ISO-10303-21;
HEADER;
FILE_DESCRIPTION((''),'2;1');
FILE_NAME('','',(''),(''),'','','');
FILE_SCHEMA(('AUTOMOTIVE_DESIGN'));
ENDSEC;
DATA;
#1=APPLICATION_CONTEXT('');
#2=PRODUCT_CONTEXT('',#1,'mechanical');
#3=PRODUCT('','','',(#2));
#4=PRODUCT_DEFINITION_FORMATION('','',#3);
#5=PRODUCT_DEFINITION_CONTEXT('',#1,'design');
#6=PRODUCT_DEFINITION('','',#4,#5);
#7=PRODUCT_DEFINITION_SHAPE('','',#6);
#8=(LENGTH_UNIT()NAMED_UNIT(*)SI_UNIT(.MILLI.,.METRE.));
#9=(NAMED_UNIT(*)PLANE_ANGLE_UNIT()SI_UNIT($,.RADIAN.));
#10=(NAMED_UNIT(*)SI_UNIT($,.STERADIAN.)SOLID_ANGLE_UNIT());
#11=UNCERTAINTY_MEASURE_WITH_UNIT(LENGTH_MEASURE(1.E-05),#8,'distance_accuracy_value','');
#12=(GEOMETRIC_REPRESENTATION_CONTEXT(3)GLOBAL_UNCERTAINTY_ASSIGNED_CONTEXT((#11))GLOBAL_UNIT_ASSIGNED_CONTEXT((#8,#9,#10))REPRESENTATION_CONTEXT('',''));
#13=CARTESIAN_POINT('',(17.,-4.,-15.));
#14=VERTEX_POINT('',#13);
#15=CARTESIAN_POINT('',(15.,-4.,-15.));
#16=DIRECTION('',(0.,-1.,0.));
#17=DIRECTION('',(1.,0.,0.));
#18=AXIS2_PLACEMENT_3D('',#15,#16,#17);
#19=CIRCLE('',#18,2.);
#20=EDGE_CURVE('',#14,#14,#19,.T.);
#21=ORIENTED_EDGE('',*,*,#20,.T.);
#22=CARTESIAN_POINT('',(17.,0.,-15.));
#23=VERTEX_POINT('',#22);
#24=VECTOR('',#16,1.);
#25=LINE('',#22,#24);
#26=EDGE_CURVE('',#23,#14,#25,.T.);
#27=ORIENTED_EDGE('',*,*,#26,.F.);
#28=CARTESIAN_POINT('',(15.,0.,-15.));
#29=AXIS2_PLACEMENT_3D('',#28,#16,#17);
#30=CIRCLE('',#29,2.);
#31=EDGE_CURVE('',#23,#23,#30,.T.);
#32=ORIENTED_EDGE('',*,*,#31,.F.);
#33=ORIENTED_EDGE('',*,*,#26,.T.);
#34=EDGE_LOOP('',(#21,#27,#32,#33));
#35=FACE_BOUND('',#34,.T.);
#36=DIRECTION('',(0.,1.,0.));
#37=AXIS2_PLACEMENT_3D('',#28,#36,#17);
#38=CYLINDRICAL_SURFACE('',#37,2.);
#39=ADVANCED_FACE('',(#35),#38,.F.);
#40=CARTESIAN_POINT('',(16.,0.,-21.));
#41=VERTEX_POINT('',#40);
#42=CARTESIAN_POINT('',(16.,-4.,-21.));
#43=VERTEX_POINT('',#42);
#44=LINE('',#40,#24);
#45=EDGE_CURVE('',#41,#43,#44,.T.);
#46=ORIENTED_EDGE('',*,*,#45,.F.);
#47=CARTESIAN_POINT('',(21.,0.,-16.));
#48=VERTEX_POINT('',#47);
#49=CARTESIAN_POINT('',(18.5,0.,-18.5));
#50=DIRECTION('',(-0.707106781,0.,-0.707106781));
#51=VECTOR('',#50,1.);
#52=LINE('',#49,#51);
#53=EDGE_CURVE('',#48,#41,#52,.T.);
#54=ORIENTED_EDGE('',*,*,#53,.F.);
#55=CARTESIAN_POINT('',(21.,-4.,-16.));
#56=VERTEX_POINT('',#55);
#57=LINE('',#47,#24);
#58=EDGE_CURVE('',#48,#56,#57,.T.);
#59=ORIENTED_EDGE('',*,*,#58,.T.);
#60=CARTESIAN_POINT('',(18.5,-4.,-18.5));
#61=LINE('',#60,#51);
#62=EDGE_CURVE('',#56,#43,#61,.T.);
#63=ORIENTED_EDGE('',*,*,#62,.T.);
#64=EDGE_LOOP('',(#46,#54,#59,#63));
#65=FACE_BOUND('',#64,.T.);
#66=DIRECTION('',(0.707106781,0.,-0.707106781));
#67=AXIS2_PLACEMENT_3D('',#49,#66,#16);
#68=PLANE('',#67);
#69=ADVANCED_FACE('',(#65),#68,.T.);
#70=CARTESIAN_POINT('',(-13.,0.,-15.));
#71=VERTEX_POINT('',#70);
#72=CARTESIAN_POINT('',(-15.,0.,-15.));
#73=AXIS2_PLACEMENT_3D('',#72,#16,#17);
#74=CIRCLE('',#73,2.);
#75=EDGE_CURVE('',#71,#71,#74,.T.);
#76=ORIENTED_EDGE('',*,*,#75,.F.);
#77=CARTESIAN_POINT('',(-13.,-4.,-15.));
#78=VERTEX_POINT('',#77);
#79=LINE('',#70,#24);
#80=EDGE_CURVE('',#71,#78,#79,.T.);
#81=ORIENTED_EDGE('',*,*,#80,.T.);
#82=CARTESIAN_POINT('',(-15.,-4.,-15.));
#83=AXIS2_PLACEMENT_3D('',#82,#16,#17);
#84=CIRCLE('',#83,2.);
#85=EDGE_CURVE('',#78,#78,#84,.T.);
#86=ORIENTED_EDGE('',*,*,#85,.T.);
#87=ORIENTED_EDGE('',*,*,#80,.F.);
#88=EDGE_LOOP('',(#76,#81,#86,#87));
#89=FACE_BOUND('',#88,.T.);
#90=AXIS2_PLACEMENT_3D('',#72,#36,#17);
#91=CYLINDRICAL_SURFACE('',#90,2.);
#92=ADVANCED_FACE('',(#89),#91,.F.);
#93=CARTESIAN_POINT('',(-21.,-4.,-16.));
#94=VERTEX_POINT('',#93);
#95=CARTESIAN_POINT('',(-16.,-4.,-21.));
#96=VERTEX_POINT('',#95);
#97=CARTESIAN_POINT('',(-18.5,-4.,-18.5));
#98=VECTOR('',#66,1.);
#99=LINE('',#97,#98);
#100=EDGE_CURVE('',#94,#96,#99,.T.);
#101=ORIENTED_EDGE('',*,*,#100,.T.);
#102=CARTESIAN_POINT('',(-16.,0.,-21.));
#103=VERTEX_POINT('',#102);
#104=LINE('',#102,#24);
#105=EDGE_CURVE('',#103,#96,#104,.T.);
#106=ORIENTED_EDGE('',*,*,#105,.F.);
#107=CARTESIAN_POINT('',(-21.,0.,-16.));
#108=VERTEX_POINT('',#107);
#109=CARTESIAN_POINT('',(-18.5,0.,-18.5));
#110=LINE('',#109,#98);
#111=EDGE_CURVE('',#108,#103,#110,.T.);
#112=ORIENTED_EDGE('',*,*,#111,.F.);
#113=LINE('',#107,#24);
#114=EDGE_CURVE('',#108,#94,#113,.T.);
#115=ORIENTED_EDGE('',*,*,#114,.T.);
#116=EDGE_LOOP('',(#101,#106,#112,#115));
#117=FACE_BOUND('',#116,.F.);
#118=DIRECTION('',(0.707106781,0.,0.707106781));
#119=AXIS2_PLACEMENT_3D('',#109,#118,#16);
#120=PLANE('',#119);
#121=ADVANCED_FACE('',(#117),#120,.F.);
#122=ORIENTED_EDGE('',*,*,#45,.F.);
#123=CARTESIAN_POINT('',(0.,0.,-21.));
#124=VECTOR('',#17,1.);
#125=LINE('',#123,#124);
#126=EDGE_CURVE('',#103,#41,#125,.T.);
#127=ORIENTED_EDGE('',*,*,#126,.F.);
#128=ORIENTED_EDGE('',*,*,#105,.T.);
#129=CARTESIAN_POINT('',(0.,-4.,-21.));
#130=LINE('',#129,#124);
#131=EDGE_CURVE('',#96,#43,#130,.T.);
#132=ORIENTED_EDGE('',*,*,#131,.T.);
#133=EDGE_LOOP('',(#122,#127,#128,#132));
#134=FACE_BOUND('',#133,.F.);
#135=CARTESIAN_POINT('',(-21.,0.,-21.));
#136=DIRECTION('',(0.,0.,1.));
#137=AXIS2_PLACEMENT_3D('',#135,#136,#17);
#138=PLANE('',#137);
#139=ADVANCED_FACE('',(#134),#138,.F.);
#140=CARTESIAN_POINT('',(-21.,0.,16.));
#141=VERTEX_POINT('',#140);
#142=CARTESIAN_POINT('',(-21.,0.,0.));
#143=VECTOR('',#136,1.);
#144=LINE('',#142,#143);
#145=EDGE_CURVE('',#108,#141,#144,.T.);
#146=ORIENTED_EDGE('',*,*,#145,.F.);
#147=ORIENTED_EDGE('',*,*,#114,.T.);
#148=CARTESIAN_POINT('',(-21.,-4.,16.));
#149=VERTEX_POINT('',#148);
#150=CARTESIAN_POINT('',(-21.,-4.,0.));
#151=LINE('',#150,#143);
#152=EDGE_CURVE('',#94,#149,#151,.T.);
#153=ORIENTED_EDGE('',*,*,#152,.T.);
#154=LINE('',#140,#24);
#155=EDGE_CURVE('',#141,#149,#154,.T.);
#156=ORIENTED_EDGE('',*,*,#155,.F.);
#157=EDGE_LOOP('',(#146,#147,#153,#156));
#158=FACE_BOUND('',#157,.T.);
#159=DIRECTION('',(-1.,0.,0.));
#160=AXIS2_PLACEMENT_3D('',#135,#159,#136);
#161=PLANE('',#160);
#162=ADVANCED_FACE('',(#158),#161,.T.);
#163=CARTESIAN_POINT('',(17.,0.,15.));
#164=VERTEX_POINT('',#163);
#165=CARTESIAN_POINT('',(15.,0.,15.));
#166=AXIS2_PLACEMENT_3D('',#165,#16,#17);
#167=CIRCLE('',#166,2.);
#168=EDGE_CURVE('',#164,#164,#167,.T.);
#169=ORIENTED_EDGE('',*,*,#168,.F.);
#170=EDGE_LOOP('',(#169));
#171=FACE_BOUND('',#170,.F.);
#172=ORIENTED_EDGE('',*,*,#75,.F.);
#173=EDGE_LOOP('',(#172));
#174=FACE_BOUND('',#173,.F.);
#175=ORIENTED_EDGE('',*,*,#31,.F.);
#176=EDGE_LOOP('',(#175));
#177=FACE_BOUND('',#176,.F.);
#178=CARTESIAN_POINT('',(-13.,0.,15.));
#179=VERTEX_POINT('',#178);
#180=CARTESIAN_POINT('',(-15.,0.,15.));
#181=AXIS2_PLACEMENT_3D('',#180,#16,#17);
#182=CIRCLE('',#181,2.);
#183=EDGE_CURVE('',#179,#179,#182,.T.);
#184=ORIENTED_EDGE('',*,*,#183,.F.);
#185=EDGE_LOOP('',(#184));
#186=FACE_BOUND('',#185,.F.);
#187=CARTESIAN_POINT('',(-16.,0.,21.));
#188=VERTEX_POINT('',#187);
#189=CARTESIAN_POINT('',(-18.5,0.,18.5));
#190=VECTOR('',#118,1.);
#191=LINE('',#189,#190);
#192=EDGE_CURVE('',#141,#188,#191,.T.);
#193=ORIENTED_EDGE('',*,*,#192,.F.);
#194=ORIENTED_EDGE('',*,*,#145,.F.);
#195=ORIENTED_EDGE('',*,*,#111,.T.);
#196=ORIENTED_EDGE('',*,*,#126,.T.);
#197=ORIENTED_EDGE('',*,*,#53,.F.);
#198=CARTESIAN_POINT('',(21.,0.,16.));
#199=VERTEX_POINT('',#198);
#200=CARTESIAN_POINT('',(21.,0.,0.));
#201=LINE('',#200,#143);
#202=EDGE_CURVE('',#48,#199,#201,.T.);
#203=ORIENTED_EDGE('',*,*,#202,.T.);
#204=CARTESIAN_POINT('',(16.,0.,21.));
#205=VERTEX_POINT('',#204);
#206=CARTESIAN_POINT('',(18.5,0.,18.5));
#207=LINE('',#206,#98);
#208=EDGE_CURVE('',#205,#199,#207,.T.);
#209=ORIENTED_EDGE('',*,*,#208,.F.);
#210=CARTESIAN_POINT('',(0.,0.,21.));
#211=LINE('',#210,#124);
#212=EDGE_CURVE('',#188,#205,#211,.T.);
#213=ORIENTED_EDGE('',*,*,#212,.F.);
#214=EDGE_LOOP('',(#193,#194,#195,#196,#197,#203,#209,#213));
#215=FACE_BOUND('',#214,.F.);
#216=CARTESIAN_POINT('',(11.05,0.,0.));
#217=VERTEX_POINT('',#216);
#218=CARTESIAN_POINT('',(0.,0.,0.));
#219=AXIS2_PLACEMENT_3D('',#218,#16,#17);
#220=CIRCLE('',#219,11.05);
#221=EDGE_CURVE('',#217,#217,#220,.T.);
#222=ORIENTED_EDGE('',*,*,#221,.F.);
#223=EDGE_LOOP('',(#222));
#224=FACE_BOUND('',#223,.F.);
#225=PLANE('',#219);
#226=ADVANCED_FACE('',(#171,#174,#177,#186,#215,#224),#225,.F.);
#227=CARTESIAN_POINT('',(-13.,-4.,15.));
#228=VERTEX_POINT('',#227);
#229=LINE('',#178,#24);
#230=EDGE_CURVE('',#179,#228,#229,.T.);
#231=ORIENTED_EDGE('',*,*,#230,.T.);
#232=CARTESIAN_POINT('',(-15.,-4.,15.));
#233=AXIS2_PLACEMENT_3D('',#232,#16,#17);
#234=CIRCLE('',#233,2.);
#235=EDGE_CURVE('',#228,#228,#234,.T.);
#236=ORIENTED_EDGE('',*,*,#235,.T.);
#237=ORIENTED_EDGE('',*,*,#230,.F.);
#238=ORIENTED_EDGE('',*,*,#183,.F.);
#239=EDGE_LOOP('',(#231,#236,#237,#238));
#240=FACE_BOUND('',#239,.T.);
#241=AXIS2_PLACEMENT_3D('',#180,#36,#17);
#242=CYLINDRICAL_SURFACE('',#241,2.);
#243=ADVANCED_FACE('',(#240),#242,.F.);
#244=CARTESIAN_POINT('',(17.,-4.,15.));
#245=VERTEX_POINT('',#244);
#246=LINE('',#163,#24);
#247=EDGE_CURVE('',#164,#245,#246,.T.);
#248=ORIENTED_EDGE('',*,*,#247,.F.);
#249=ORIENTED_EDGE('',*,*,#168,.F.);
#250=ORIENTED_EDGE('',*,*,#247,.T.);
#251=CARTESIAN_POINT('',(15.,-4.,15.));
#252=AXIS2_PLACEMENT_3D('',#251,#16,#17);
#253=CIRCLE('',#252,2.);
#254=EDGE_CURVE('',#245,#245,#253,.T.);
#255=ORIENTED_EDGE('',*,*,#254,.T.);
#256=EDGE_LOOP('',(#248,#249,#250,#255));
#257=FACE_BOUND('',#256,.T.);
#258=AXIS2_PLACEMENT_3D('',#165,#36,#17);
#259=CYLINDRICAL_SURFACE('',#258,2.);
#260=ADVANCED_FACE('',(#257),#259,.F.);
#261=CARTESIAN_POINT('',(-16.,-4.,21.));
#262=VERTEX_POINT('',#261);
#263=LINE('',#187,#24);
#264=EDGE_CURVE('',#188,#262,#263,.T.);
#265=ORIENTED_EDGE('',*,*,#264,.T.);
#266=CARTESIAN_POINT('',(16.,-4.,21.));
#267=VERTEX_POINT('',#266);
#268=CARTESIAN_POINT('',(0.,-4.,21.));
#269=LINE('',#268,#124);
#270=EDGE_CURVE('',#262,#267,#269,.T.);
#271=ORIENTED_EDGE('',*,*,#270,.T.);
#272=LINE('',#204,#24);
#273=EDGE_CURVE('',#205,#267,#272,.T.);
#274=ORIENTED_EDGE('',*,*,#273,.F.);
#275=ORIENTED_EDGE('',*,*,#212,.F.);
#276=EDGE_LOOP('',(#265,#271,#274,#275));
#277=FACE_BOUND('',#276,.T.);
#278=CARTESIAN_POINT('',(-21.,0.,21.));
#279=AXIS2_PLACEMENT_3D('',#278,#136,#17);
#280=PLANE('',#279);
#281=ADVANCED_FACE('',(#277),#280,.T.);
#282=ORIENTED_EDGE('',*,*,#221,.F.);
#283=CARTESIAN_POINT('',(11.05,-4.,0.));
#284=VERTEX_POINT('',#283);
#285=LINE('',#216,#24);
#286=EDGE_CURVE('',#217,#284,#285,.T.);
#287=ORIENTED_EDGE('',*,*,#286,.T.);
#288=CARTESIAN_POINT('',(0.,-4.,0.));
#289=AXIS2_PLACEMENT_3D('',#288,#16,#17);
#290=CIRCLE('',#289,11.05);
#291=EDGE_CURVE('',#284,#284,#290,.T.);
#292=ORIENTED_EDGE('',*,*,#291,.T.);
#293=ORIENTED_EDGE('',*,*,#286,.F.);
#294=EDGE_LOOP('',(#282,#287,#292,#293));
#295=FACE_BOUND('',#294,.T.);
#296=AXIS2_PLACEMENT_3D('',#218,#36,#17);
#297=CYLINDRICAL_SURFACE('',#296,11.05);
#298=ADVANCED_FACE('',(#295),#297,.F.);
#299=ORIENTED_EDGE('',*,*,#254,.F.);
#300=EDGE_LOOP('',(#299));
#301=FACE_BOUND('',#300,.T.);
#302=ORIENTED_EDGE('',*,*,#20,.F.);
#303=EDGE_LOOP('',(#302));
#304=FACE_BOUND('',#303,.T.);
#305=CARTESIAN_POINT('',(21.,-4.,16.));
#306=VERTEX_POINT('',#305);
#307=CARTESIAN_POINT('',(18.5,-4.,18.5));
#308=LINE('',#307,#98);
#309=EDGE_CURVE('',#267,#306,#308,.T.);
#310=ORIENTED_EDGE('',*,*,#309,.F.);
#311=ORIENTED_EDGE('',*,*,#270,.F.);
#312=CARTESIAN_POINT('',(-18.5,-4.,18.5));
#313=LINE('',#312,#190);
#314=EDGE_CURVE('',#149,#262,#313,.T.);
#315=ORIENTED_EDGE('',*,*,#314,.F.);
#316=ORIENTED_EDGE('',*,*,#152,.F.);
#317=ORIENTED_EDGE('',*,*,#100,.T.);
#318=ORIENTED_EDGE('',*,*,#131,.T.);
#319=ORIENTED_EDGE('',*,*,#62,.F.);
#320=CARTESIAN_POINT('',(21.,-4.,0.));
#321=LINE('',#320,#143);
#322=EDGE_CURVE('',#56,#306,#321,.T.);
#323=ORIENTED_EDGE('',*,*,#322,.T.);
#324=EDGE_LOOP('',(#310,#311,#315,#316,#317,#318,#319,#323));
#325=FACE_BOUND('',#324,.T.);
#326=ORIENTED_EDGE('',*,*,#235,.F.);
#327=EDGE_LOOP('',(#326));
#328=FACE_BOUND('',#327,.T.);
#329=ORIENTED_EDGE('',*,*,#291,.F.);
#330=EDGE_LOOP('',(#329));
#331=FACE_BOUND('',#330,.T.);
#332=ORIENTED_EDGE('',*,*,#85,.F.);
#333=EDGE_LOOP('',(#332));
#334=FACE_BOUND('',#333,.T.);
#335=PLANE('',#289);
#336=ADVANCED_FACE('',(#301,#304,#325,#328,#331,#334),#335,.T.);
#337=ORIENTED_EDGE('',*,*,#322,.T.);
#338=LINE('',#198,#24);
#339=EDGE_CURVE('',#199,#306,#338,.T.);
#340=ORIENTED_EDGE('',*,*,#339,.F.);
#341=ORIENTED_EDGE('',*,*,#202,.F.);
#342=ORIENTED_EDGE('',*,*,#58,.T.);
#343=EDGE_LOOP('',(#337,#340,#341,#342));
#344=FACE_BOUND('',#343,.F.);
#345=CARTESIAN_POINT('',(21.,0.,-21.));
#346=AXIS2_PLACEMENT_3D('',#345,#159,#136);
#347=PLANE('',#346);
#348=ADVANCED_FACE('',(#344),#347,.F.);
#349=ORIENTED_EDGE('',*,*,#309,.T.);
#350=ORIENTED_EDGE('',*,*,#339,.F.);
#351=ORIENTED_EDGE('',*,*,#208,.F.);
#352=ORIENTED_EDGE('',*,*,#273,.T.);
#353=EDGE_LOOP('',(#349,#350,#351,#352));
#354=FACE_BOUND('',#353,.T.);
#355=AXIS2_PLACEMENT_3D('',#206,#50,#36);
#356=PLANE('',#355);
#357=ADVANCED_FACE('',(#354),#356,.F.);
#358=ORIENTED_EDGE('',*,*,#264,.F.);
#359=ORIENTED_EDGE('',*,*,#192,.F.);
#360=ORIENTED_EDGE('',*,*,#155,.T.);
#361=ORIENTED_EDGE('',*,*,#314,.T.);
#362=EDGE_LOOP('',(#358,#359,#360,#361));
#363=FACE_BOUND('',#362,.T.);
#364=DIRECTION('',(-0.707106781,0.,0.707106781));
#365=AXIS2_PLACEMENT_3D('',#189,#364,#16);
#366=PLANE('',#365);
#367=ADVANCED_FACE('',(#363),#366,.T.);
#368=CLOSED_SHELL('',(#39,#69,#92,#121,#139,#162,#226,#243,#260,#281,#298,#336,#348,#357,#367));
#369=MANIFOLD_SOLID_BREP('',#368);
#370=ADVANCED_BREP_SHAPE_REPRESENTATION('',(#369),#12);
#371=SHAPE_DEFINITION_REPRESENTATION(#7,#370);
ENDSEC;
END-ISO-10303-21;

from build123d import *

# Parameters (mm, degrees)
F0_W     = 42
F0_H     = 42
F0_R     = 2
F0_R_2   = 11.05
F1_DEPTH = 4
F2_SIZE  = 5
F3_SIZE  = 5
F4_SIZE  = 5
F5_SIZE  = 5


with BuildPart() as f1:
    # F0 (on Front) → F1 (new body)
    with BuildSketch(Plane.XZ):
        Rectangle(F0_W, F0_H)
        with Locations((-15, -15)):
            Circle(F0_R, mode=Mode.SUBTRACT)
        with Locations((15, -15)):
            Circle(F0_R, mode=Mode.SUBTRACT)
        with Locations((-15, 15)):
            Circle(F0_R, mode=Mode.SUBTRACT)
        Circle(F0_R_2, mode=Mode.SUBTRACT)
        with Locations((15, 15)):
            Circle(F0_R, mode=Mode.SUBTRACT)
    extrude(amount=F1_DEPTH)

    # F2
    f2_edges = [f1.edges().sort_by_distance(p)[0] for p in [
        (-21, -2, -21),
    ]]
    chamfer(f2_edges, length=F2_SIZE)

    # F3
    f3_edges = [f1.edges().sort_by_distance(p)[0] for p in [
        (-21, -2, 21),
    ]]
    chamfer(f3_edges, length=F3_SIZE)

    # F4
    f4_edges = [f1.edges().sort_by_distance(p)[0] for p in [
        (21, -2, 21),
    ]]
    chamfer(f4_edges, length=F4_SIZE)

    # F5
    f5_edges = [f1.edges().sort_by_distance(p)[0] for p in [
        (21, -2, -21),
    ]]
    chamfer(f5_edges, length=F5_SIZE)


solid = f1.part
